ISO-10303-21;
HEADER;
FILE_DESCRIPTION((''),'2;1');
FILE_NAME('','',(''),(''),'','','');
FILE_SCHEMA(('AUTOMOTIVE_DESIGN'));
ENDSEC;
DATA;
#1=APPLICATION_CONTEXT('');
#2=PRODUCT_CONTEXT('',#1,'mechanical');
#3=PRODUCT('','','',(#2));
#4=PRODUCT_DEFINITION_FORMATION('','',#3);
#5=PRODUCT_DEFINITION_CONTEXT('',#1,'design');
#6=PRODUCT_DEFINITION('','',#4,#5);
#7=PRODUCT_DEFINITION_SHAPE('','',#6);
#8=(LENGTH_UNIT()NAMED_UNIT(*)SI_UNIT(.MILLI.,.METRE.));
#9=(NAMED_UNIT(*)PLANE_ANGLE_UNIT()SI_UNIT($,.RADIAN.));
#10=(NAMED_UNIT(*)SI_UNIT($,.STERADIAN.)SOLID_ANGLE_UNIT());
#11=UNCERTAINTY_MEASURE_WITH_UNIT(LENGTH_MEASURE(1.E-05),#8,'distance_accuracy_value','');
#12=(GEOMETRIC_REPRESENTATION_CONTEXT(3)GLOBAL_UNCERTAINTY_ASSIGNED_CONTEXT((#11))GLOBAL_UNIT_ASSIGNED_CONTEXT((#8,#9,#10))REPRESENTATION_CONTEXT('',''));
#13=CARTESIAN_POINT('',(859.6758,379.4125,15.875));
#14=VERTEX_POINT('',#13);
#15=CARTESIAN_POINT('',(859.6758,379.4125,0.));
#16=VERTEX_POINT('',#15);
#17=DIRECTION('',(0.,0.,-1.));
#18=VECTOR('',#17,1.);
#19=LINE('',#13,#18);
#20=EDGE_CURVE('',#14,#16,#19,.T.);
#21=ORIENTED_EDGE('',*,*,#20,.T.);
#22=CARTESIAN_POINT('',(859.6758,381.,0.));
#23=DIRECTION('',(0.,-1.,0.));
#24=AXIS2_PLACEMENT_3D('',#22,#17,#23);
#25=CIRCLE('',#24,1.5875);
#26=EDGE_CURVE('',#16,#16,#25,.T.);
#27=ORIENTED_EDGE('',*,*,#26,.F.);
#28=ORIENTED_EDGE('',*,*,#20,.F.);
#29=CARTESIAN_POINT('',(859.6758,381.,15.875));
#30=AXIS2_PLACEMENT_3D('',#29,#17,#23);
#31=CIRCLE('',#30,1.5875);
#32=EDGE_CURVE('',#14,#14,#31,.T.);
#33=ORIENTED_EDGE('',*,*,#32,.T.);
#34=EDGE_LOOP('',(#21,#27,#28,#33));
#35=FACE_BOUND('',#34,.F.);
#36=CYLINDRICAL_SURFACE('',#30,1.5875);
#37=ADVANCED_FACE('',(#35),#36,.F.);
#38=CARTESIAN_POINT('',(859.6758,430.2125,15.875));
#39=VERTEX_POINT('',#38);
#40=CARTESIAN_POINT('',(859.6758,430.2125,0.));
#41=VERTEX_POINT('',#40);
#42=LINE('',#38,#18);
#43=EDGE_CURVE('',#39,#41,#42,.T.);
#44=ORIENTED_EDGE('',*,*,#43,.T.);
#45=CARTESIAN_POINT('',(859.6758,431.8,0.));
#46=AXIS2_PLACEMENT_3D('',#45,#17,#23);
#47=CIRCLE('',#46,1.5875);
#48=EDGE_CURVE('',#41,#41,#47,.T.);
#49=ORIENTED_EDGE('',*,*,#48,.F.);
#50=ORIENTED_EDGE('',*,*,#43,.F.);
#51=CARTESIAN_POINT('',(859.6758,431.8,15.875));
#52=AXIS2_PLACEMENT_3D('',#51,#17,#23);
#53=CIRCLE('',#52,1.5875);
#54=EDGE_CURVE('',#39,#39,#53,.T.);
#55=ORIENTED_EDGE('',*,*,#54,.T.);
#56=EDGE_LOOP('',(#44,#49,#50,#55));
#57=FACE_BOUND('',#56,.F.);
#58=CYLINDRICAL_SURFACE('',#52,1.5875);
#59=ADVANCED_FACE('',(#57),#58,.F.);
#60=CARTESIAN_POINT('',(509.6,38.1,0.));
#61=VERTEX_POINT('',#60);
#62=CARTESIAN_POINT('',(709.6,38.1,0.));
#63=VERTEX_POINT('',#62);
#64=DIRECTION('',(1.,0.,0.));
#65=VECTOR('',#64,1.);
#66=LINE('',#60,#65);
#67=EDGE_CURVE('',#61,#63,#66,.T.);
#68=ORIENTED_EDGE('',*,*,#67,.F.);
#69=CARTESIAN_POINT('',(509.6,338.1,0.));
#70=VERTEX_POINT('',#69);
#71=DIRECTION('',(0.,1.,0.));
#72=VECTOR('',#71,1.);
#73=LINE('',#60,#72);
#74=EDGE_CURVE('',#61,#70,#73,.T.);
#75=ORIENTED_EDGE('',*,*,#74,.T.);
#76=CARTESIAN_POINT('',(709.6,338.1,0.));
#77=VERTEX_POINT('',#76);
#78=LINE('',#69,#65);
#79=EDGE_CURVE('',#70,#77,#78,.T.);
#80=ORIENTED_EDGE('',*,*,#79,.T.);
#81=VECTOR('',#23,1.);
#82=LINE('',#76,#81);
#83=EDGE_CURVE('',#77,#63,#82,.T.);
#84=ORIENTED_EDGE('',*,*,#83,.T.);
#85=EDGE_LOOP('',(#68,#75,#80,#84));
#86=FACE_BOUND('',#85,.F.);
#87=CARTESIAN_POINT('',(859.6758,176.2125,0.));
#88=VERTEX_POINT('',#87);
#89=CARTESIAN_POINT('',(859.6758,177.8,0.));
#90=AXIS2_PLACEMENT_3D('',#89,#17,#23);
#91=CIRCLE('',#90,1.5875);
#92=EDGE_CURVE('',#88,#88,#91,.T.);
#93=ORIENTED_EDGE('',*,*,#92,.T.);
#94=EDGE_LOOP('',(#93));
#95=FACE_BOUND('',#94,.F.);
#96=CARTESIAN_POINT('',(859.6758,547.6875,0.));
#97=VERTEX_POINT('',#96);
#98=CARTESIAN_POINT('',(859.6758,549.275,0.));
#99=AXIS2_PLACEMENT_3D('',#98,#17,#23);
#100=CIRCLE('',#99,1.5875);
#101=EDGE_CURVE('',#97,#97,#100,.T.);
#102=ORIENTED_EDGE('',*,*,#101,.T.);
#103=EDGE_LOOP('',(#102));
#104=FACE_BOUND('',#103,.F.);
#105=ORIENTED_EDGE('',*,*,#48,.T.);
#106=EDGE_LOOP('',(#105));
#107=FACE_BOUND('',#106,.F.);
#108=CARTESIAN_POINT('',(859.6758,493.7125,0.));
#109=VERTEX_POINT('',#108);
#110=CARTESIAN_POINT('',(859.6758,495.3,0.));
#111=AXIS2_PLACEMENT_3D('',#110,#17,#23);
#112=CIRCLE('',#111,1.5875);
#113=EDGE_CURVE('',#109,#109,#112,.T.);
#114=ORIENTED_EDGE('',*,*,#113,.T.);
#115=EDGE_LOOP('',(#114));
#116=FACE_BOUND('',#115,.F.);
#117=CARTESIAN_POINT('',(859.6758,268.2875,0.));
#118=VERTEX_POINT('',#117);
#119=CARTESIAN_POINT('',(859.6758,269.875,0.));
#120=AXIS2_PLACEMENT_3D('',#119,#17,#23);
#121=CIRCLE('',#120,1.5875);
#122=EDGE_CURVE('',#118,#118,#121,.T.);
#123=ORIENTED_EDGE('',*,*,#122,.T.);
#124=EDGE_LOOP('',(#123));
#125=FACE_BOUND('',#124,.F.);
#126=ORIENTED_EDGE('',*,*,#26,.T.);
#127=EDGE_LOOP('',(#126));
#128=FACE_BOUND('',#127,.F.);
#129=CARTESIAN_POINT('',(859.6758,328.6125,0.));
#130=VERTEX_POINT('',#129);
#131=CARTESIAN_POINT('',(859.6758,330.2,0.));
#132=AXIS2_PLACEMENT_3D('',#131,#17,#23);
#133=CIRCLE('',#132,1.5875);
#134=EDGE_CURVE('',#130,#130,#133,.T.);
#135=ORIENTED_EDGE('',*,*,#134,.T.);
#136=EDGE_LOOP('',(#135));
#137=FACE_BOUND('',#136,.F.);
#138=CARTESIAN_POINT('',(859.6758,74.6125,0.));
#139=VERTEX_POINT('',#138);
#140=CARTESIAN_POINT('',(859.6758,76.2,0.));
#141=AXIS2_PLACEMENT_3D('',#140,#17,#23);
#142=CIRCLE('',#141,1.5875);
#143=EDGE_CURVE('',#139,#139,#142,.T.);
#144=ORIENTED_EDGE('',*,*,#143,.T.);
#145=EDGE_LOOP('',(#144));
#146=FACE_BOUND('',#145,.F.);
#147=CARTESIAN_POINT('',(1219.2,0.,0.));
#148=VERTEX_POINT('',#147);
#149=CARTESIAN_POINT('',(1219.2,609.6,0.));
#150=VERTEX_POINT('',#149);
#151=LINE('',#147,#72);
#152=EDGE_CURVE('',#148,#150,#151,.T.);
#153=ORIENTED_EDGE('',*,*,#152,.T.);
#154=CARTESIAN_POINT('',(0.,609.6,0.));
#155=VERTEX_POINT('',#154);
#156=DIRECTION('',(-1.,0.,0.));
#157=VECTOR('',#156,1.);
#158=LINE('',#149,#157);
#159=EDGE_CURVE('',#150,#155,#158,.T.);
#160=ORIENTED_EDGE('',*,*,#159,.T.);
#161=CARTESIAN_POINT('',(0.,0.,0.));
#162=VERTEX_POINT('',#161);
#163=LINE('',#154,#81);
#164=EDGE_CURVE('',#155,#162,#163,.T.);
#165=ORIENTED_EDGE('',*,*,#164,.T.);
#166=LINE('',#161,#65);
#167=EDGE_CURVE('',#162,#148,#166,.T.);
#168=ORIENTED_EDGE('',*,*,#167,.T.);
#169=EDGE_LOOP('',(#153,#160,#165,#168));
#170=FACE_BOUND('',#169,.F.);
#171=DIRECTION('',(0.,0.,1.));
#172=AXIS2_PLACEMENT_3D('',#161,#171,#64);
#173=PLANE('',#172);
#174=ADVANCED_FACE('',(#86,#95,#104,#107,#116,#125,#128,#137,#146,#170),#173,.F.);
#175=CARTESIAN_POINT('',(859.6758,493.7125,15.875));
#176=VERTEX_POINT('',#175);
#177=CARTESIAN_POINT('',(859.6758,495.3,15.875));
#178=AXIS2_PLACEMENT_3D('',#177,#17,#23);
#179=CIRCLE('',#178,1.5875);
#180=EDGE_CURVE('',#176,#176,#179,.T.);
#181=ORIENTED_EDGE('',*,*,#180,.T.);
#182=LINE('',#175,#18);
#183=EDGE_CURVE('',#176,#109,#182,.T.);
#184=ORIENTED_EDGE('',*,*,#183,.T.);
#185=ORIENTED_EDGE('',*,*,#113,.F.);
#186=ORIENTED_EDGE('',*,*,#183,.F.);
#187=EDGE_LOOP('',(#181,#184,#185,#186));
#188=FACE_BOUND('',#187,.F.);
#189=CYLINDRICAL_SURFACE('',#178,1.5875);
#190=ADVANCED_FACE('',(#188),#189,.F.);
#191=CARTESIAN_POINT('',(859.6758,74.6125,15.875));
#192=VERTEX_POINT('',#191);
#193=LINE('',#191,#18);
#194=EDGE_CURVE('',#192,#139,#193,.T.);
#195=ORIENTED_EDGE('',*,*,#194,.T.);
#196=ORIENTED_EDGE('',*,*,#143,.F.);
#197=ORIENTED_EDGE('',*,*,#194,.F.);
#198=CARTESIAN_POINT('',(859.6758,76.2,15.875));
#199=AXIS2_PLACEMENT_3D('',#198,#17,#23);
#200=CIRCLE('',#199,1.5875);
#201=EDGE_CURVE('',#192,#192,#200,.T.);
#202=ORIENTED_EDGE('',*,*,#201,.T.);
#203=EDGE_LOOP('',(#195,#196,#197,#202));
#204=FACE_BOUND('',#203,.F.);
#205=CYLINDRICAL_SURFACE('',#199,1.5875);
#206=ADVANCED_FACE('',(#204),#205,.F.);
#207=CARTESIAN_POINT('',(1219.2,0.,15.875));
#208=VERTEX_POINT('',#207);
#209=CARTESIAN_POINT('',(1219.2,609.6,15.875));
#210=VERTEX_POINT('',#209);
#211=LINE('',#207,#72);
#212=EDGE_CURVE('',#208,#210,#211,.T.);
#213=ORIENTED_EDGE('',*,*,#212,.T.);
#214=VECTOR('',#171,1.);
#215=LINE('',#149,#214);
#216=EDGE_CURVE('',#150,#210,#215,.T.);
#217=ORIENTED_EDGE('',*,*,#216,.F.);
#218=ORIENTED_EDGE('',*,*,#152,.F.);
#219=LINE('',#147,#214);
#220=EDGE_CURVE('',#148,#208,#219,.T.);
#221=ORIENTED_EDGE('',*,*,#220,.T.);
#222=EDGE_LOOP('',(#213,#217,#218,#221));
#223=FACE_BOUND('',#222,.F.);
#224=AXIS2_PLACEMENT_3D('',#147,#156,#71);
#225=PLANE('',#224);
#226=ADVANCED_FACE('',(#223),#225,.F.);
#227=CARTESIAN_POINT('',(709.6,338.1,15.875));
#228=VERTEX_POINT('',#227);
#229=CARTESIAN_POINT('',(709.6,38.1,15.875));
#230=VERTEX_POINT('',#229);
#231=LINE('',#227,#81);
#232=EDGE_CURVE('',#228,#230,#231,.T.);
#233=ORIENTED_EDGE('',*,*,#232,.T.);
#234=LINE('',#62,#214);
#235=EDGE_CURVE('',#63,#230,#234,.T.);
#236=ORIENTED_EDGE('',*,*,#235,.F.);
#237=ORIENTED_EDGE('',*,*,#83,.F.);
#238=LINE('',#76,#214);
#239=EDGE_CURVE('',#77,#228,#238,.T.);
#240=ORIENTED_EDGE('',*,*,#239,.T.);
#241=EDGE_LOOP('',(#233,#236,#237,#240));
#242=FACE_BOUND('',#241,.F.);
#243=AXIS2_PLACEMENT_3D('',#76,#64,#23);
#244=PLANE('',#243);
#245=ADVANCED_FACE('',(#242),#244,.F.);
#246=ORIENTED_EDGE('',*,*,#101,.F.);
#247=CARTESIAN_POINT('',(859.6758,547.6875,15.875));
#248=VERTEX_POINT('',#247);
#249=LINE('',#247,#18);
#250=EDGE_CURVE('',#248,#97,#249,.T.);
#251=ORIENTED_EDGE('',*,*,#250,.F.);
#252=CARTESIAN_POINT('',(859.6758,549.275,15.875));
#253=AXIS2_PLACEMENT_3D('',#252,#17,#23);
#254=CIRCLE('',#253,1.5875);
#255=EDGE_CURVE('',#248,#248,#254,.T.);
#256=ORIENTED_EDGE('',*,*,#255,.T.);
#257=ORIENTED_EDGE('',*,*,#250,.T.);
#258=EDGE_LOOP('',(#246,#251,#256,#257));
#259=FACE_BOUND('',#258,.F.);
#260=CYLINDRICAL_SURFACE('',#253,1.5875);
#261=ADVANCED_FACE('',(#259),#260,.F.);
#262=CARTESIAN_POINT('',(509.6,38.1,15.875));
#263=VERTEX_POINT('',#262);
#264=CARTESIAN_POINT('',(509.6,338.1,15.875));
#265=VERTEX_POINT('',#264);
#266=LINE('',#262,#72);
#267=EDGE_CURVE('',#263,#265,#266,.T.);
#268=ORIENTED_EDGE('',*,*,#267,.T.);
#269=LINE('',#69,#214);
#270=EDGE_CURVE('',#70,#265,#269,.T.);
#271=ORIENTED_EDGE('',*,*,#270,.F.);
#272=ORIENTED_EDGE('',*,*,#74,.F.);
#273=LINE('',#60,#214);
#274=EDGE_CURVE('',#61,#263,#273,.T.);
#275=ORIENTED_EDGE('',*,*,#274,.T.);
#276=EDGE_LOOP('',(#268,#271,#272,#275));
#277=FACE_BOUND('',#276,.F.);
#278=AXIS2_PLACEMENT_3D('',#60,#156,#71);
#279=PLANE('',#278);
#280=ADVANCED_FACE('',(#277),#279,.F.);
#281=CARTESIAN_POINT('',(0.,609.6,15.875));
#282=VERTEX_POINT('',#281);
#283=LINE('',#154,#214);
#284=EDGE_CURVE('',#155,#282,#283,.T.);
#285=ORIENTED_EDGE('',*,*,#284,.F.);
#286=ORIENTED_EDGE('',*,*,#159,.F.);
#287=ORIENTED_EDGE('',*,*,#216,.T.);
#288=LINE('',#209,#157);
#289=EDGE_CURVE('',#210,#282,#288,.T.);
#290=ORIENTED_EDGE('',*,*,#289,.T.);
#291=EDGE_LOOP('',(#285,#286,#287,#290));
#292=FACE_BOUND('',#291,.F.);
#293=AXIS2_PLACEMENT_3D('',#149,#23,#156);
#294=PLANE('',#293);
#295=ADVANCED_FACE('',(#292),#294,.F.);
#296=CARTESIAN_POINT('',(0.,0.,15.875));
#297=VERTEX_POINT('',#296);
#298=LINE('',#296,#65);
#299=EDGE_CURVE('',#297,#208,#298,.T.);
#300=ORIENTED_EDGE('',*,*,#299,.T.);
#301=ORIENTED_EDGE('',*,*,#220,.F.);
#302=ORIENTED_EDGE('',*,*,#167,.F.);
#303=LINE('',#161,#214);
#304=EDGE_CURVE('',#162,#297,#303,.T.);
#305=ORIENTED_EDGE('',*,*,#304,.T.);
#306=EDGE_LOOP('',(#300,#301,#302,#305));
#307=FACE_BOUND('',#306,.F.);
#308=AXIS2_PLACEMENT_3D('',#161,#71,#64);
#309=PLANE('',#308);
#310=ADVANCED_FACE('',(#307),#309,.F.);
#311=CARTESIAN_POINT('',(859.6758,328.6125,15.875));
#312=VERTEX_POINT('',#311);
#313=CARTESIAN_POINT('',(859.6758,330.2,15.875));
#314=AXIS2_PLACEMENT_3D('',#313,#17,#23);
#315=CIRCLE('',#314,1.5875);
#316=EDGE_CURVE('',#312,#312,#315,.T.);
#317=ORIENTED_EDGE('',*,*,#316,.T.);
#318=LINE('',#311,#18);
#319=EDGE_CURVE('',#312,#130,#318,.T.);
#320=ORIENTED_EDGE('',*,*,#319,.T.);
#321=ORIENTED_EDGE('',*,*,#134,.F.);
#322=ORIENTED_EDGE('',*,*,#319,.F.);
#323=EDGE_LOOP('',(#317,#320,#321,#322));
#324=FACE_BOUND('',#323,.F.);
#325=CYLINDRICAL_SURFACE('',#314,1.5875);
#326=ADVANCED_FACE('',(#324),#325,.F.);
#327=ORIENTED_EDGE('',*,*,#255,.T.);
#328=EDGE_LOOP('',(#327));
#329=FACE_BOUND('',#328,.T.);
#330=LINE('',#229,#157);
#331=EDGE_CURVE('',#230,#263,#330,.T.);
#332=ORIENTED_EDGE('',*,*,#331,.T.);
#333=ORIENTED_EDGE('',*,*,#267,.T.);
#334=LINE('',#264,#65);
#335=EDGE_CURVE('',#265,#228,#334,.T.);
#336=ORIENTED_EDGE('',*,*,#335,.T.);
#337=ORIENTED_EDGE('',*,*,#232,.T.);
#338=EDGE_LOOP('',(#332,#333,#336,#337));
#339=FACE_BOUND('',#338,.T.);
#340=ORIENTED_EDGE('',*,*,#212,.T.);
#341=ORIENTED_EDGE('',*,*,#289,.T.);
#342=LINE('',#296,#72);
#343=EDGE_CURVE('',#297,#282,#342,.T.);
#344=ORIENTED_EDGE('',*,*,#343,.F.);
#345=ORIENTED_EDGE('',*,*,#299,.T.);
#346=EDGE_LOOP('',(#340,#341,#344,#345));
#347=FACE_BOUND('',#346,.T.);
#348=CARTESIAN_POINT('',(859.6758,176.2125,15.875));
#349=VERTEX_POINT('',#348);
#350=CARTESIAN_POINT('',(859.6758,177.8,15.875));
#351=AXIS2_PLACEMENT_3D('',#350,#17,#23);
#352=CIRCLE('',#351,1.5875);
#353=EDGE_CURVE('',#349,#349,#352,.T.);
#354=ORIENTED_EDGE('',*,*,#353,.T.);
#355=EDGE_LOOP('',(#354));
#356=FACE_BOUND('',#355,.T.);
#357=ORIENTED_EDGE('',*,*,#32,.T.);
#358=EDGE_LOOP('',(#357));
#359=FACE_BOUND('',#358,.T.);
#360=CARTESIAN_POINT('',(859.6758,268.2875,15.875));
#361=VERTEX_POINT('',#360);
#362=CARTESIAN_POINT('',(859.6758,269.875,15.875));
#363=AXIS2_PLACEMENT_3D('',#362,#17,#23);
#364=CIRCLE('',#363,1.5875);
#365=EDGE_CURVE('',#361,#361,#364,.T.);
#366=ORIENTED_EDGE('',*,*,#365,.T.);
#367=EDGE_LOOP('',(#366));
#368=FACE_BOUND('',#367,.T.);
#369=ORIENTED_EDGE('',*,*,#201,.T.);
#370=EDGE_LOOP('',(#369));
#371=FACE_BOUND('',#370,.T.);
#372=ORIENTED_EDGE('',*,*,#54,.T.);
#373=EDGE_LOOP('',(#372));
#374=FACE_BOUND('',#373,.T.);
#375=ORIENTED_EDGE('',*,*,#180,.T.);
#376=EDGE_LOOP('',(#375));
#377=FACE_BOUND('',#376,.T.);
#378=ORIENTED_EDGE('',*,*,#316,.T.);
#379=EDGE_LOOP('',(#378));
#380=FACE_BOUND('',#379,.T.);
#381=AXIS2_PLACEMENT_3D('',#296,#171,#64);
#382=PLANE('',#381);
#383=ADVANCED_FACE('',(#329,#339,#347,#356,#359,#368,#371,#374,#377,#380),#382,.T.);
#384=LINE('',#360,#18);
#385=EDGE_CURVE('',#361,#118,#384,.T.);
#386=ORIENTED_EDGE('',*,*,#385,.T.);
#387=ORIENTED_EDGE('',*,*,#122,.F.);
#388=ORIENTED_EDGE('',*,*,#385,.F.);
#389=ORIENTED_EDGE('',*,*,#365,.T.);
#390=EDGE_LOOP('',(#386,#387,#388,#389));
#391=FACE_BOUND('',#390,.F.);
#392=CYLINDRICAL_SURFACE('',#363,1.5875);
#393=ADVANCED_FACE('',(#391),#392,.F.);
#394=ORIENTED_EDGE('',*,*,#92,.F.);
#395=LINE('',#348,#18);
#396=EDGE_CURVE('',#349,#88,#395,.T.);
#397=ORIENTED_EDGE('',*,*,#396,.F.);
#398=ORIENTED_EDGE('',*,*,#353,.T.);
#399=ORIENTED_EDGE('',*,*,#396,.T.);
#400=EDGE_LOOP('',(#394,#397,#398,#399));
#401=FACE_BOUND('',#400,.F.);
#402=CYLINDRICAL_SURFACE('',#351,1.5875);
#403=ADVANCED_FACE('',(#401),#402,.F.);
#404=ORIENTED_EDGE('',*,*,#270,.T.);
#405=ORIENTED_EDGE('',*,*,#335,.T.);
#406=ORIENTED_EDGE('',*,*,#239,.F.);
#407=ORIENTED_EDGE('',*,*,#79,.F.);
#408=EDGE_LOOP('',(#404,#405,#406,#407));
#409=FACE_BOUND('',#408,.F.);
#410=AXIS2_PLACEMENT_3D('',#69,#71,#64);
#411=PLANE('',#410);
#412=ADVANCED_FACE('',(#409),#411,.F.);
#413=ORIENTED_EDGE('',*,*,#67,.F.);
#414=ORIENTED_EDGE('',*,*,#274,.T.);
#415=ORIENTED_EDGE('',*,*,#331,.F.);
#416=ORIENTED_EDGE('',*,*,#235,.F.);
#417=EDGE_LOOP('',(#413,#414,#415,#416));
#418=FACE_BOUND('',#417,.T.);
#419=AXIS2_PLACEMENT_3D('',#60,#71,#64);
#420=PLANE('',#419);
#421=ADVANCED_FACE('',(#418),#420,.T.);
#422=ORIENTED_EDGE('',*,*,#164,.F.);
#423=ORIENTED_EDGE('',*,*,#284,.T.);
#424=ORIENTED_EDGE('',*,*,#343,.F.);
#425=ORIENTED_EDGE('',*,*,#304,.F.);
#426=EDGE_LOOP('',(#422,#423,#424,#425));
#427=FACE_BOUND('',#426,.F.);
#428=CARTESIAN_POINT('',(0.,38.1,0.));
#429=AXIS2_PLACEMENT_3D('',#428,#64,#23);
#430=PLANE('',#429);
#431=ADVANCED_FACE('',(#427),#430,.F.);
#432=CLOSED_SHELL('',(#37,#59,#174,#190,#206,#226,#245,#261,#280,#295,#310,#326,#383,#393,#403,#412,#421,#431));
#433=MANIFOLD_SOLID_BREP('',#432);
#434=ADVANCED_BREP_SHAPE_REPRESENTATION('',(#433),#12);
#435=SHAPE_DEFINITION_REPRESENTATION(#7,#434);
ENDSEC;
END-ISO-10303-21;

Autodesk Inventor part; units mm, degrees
ref_plane "YZ Plane" through (0, 0, 0) normal (1, 0, 0) x (0, 1, 0)
ref_plane "XZ Plane" through (0, 0, 0) normal (0, 1, 0) x (-1, 0, 0)
ref_plane "XY Plane" through (0, 0, 0) normal (0, 0, 1) x (1, 0, 0)
sketch "Sketch3" plane through (0, 0, 0) normal (0, 0, 1) x (1, 0, 0)
  line L0 (0, 0) -> (1219.2, 0)
  line L1 (1219.2, 0) -> (1219.2, 609.6)
  line L2 (1219.2, 609.6) -> (0, 609.6)
  line L3 (0, 609.6) -> (0, 0)
  line L4 (0, 0) -> (0, 38.1)
  line L5 (509.6, 38.1) -> (709.6, 38.1)
  line L6 (609.6, 38.1) -> (509.6, 38.1)
  line L7 (509.6, 38.1) -> (509.6, 338.1)
  line L8 (509.6, 338.1) -> (709.6, 338.1)
  line L9 (709.6, 338.1) -> (709.6, 38.1)
  line L10 (609.6, 38.1) -> (709.6, 38.1)
  dimension "d7" = 1219.2
  dimension "d8" = 609.6
  dimension "d9" = 38.1
  dimension "d10" = 100
  dimension "d11" = 300
  dimension "d12" = 200
extrude "Extrusion2" add sketch "Sketch3" along normal blind 15.875
sketch "Sketch4" plane through (0, 0, 15.875) normal (0, 0, 1) x (1, 0, 0)
  line L0 (0, 609.6) -> (0, 0) projected
  line L1 (0, 609.6) -> (859.6758, 609.6)
  line L2 (1219.2, 609.6) -> (0, 609.6) projected
  point P0 (859.6758, 549.275)
  point P1 (859.6758, 495.3)
  point P2 (859.6758, 431.8)
  point P3 (859.6758, 330.2)
  point P4 (859.6758, 381)
  point P5 (859.6758, 269.875)
  point P6 (859.6758, 177.8)
  point P7 (859.6758, 76.2)
  dimension "d15" = 859.6758
hole "Hole1" at (859.6758, 549.275, 15.875) at (859.6758, 495.3, 15.875) at (859.6758, 431.8, 15.875) at (859.6758, 330.2, 15.875) at (859.6758, 381, 15.875) at (859.6758, 269.875, 15.875) at (859.6758, 177.8, 15.875) at (859.6758, 76.2, 15.875) direction (0, 0, -1) diameter 3.175 end through all
properties part number "Model 2 door"
